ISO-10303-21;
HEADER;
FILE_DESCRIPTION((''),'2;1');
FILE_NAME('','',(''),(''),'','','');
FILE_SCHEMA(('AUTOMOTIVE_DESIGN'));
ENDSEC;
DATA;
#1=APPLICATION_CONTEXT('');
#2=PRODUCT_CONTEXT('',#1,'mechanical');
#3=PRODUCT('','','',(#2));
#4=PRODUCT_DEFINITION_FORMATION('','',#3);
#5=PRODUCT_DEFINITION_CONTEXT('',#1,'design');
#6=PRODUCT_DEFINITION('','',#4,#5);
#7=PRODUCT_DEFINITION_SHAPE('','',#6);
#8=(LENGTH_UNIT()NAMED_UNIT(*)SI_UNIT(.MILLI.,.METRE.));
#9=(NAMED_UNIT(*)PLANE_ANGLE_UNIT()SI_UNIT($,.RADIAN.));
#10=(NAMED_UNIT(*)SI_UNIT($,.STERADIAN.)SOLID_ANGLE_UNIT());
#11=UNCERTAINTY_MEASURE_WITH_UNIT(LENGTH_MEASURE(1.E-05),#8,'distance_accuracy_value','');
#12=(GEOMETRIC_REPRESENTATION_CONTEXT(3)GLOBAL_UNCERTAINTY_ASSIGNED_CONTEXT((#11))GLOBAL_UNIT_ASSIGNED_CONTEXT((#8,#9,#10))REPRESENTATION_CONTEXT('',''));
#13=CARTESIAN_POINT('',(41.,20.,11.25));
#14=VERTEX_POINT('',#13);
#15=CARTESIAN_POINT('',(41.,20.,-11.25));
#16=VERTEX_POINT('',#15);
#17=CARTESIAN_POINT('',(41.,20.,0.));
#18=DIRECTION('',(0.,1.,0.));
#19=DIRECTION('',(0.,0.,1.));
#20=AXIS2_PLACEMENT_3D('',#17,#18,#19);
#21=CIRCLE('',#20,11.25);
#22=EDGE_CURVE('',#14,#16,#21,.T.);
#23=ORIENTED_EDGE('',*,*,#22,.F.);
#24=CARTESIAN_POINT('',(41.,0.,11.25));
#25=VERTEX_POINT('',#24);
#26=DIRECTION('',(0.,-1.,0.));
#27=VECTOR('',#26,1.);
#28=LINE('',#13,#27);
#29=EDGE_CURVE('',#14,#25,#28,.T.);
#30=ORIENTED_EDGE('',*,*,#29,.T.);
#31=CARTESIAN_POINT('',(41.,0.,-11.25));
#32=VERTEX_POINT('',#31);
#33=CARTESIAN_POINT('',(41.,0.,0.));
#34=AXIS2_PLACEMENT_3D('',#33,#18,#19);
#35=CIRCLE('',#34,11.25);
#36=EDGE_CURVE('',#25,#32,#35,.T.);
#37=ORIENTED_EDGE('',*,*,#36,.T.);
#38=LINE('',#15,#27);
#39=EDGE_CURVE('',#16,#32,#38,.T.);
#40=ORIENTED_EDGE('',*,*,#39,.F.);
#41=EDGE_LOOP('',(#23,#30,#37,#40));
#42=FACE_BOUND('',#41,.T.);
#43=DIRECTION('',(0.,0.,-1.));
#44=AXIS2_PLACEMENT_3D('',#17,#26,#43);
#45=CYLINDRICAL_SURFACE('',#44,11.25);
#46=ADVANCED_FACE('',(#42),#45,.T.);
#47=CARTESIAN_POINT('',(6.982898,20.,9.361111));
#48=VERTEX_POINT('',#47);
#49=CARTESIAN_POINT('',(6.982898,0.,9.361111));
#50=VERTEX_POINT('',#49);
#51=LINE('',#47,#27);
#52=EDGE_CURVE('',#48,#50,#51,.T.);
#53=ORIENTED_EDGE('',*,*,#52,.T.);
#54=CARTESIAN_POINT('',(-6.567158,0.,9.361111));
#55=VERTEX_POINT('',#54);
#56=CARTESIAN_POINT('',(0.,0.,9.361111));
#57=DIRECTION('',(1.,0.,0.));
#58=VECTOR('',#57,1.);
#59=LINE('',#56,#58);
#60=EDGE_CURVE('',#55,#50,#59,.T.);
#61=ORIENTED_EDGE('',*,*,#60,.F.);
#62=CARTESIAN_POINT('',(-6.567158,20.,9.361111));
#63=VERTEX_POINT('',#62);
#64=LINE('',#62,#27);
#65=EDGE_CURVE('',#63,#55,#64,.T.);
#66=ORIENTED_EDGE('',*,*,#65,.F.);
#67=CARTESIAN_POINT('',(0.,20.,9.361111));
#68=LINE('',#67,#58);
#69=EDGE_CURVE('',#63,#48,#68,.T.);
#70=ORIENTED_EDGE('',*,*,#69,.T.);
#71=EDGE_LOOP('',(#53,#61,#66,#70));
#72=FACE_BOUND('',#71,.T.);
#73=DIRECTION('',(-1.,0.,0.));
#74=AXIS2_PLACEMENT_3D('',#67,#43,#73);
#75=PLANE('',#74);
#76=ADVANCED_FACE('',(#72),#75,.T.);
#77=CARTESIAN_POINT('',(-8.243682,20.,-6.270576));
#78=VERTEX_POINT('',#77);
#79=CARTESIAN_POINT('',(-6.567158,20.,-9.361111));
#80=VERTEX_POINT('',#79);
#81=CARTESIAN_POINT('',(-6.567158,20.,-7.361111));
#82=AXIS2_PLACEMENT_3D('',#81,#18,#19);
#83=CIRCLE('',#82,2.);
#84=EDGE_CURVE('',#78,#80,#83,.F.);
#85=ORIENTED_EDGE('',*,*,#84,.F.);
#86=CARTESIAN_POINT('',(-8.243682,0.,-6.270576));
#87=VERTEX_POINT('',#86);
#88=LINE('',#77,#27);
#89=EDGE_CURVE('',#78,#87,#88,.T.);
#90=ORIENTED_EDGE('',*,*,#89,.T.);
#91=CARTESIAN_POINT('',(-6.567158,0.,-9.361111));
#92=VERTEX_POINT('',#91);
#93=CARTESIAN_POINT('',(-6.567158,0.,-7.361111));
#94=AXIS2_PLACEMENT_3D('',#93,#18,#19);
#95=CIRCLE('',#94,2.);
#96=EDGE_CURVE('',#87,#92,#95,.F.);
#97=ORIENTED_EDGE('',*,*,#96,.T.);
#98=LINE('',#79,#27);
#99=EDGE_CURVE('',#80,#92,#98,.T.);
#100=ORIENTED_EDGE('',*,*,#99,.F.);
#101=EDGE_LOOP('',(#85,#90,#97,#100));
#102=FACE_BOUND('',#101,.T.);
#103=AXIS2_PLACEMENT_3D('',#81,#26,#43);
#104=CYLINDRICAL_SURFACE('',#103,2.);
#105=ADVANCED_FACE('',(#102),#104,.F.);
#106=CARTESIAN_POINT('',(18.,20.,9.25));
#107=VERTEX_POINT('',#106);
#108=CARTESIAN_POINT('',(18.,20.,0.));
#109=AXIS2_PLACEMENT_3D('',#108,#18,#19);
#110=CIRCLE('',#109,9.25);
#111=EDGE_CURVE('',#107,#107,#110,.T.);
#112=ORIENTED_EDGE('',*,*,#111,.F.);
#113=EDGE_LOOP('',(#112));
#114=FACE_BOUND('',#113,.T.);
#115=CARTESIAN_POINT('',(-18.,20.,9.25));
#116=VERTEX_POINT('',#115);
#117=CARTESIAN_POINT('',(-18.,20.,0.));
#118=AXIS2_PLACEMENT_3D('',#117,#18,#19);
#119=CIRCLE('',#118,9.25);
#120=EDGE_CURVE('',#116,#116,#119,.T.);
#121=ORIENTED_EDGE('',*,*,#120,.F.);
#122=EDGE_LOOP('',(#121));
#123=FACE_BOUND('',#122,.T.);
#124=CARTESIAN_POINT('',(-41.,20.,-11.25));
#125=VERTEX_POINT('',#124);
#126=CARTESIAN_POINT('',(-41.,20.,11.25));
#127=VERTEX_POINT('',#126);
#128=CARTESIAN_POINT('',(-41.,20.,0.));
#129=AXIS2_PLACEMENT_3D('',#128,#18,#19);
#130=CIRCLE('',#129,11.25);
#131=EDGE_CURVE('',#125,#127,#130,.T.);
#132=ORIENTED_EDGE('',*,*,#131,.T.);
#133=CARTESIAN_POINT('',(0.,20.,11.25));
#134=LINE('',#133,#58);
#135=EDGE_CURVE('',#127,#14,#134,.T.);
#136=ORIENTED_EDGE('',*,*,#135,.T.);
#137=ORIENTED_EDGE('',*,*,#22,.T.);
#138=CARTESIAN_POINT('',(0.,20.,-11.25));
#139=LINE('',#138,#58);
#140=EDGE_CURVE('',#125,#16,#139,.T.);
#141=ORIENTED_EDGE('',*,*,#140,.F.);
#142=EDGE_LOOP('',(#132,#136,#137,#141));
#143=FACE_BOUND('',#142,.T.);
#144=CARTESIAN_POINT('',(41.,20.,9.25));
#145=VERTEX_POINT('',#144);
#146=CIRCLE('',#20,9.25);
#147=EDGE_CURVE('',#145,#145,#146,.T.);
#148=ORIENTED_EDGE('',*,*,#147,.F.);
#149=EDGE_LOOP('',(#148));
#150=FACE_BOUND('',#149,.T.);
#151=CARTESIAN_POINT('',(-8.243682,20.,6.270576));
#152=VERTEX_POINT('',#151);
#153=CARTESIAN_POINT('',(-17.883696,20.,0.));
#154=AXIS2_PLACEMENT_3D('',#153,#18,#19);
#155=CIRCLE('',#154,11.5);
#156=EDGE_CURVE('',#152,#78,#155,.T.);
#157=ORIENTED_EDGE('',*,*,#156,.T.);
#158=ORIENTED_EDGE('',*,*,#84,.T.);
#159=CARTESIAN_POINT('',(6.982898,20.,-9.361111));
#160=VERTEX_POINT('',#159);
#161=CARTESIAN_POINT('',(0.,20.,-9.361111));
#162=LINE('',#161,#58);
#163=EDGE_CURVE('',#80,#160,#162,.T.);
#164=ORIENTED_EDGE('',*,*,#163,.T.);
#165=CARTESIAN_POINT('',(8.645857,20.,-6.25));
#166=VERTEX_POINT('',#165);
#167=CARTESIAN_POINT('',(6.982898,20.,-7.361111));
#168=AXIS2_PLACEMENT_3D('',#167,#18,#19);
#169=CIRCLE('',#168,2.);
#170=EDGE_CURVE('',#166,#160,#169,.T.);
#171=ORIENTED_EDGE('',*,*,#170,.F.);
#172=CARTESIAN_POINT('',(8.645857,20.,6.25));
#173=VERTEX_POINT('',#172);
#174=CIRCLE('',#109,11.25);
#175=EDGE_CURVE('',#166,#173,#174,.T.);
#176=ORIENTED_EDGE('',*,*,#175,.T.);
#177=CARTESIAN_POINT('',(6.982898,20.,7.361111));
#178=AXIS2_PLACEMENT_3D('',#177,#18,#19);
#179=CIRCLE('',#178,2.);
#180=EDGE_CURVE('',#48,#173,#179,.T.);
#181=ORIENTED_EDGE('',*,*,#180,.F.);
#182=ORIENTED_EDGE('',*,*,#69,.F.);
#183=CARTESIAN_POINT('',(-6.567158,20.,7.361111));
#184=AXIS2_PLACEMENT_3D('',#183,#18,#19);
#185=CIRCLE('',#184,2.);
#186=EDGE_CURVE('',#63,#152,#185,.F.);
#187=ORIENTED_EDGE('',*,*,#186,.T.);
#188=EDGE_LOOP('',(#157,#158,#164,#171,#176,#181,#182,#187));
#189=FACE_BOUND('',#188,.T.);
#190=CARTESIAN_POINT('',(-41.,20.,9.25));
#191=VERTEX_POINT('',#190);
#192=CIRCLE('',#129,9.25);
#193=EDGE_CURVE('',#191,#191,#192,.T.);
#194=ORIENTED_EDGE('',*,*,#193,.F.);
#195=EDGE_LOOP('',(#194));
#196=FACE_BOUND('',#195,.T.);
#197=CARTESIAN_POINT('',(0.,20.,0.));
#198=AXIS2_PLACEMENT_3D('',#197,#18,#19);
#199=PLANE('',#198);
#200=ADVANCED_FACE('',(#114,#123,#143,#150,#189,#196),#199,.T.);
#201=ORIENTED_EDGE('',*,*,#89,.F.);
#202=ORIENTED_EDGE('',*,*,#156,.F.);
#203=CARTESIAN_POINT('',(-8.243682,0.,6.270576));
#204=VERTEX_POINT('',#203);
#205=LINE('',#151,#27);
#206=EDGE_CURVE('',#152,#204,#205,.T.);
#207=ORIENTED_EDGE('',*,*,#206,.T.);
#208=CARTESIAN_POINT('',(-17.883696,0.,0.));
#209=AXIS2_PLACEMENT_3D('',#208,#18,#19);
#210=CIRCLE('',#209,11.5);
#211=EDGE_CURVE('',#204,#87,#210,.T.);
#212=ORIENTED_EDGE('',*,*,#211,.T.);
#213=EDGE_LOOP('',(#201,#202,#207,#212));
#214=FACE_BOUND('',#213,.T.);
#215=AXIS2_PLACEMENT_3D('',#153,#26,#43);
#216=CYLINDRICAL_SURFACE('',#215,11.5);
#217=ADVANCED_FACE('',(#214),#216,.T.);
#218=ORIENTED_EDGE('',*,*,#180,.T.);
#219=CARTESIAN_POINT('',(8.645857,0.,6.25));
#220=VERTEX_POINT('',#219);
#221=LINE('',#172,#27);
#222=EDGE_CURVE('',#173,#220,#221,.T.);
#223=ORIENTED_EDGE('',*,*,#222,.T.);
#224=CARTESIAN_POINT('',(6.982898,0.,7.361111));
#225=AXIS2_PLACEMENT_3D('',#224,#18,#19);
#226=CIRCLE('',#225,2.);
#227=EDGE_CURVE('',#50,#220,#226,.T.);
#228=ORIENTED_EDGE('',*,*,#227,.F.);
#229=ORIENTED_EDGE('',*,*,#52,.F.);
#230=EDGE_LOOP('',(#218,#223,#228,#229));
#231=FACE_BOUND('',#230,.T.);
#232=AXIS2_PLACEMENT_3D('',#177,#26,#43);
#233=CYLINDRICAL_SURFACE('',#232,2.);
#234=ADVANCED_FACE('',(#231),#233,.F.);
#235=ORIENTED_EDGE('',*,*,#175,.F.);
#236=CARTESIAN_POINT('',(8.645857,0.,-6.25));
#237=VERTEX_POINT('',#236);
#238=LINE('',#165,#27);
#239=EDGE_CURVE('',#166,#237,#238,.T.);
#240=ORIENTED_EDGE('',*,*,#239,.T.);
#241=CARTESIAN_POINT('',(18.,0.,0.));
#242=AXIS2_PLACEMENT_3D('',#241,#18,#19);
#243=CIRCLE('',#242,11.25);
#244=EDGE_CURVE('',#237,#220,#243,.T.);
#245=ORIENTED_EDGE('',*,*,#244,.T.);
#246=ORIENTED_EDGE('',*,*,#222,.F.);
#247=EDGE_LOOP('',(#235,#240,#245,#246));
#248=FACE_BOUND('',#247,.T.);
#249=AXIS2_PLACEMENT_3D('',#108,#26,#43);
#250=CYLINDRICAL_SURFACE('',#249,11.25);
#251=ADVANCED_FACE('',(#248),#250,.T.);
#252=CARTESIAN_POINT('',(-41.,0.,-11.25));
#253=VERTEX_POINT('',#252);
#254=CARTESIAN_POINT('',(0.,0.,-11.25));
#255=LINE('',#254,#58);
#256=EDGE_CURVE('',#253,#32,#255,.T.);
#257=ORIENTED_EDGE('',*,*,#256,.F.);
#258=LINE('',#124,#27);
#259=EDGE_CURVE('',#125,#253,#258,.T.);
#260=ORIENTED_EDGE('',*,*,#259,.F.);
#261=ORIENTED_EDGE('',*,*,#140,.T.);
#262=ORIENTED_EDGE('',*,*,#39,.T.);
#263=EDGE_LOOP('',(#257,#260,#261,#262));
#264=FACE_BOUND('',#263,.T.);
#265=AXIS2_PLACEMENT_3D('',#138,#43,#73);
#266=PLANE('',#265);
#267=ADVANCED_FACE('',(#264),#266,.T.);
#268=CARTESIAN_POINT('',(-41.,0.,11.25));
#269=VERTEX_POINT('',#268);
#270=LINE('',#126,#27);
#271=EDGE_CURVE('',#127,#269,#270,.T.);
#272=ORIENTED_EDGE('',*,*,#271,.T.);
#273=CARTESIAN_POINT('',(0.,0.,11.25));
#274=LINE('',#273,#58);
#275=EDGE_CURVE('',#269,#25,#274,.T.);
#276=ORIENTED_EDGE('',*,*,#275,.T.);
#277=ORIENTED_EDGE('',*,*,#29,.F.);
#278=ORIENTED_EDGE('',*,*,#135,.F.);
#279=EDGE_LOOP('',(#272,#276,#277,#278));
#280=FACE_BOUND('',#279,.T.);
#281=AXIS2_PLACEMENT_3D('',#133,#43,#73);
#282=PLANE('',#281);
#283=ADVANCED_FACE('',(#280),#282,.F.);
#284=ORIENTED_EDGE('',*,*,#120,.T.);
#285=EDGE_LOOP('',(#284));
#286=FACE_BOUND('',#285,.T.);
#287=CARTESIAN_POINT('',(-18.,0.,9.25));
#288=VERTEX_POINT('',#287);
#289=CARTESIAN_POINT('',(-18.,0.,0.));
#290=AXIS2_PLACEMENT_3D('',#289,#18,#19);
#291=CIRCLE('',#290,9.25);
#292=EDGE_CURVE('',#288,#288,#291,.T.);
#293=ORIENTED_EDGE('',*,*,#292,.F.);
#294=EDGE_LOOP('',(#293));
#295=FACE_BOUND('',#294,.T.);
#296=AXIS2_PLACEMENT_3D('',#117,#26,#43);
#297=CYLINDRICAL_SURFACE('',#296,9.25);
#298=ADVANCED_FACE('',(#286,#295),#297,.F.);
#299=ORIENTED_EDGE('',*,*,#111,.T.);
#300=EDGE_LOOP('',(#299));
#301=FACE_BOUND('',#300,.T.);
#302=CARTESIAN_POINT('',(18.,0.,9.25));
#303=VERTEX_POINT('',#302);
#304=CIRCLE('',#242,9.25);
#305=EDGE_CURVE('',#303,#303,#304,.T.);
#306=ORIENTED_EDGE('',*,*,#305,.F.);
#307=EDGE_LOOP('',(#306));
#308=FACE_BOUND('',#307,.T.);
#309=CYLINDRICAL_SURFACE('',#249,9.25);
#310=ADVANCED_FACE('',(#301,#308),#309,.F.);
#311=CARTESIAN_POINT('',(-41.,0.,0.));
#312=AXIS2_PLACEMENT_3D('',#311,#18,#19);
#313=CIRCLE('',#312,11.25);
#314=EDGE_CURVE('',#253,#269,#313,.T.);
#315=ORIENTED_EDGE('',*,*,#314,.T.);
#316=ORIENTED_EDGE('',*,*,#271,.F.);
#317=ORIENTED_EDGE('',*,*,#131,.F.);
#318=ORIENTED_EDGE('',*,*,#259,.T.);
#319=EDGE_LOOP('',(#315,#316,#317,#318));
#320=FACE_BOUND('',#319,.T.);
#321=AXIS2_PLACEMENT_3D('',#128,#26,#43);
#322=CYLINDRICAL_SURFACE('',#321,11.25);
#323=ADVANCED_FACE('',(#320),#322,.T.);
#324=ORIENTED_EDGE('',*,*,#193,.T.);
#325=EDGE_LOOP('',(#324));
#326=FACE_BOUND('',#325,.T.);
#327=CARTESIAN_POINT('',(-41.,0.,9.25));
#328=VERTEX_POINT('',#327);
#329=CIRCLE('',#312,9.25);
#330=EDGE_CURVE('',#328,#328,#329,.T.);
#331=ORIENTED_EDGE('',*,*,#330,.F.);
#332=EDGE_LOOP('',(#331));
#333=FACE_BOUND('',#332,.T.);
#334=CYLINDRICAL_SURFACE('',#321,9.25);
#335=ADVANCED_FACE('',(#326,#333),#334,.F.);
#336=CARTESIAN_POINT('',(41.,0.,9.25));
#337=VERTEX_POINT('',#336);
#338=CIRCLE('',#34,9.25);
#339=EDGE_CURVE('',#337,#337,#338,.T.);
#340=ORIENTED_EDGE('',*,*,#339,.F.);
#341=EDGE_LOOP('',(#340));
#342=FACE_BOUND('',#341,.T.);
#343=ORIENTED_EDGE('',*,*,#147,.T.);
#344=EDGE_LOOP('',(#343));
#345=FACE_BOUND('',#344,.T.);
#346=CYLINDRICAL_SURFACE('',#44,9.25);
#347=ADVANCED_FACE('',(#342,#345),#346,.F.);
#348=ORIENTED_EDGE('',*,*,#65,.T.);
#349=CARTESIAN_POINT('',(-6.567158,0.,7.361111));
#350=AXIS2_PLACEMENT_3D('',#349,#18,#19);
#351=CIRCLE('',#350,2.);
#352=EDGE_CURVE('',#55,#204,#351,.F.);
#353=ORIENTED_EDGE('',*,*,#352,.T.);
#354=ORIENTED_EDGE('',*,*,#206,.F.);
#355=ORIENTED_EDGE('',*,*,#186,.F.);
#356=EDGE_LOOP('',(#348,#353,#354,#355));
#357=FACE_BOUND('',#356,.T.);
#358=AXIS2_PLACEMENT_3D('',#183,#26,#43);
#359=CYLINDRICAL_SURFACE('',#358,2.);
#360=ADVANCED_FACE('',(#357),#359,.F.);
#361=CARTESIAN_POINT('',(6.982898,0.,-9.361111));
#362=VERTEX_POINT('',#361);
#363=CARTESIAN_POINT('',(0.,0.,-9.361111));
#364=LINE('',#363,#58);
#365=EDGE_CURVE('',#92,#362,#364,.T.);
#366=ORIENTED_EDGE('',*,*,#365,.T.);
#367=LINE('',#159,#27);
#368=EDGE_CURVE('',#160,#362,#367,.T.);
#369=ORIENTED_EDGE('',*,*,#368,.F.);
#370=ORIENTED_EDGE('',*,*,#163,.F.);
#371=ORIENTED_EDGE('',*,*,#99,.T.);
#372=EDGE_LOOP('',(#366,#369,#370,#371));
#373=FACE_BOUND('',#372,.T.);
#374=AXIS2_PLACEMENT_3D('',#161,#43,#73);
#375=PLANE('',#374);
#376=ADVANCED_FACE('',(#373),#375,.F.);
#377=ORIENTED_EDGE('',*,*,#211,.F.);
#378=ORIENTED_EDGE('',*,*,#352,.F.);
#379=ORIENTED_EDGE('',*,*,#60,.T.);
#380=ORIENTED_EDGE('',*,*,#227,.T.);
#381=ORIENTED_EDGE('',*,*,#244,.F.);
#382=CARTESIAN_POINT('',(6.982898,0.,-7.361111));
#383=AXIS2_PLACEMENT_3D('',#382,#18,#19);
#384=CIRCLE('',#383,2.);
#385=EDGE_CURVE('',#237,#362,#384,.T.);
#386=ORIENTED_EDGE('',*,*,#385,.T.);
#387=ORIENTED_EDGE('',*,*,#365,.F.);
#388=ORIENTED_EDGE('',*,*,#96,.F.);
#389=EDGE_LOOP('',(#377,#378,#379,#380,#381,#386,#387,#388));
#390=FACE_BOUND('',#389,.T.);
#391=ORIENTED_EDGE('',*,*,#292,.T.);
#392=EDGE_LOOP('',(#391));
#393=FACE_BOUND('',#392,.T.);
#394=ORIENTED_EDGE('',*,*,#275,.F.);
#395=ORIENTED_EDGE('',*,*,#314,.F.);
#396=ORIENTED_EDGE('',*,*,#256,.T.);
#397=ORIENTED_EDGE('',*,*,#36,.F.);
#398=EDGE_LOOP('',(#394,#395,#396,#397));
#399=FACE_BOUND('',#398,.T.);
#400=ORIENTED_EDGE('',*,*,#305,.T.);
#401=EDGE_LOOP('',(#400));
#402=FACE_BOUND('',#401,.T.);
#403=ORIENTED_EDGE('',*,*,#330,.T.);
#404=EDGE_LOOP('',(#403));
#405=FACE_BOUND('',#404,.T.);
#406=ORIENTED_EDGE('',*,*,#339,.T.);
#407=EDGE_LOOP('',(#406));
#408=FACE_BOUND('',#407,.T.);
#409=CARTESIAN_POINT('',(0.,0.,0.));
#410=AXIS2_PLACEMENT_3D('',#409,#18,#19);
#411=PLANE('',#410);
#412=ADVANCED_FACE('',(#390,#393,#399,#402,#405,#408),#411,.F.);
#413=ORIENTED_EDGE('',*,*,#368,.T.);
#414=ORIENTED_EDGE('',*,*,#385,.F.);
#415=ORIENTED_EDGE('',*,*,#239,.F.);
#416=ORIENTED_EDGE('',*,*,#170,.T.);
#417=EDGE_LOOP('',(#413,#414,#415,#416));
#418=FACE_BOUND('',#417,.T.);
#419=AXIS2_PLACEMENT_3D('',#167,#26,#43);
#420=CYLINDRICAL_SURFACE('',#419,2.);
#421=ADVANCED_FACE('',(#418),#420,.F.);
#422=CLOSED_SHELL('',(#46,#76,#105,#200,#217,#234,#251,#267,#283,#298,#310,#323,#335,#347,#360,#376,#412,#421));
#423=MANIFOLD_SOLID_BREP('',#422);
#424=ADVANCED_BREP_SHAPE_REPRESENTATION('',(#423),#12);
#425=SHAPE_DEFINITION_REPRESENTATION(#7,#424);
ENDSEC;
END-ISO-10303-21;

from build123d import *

# Parameters (mm, degrees)
SKETCH3_R           = 9.25
BOSS_EXTRUDE1_DEPTH = 20


with BuildPart() as part:
    # Sketch3 → Boss-Extrude1 (new body)
    with BuildSketch(Plane(origin=(0, 0, 0), x_dir=(1, 0, 0), z_dir=(0, 1, 0))):
        with BuildLine():
            Line((-41, -11.25), (41, -11.25))
            ThreePointArc((41, -11.25), (52.25, 0), (41, 11.25))
            Line((41, 11.25), (-41, 11.25))
            ThreePointArc((-41, 11.25), (-52.25, 0), (-41, -11.25))
        make_face()
        with Locations((-41, 0)):
            Circle(SKETCH3_R, mode=Mode.SUBTRACT)
        with Locations((-18, 0)):
            Circle(SKETCH3_R, mode=Mode.SUBTRACT)
        with Locations((18, 0)):
            Circle(SKETCH3_R, mode=Mode.SUBTRACT)
        with Locations((41, 0)):
            Circle(SKETCH3_R, mode=Mode.SUBTRACT)
        with BuildLine():
            ThreePointArc((-8.243682204, -6.270576132), (-6.383696467, 0), (-8.243682204, 6.270576132))
            ThreePointArc((-8.243682204, 6.270576132), (-8.325149731, 8.314769866), (-6.567157985, 9.361111111))
            Line((-6.567157985, 9.361111111), (6.982897694, 9.361111111))
            ThreePointArc((6.982897694, 9.361111111), (8.746731902, 8.303920153), (8.645856533, 6.25))
            ThreePointArc((8.645856533, 6.25), (6.75, 0), (8.645856533, -6.25))
            ThreePointArc((8.645856533, -6.25), (8.746731902, -8.303920153), (6.982897694, -9.361111111))
            Line((6.982897694, -9.361111111), (-6.567157985, -9.361111111))
            ThreePointArc((-6.567157985, -9.361111111), (-8.325149731, -8.314769866), (-8.243682204, -6.270576132))
        make_face(mode=Mode.SUBTRACT)
    extrude(amount=BOSS_EXTRUDE1_DEPTH)


solid = part.part
